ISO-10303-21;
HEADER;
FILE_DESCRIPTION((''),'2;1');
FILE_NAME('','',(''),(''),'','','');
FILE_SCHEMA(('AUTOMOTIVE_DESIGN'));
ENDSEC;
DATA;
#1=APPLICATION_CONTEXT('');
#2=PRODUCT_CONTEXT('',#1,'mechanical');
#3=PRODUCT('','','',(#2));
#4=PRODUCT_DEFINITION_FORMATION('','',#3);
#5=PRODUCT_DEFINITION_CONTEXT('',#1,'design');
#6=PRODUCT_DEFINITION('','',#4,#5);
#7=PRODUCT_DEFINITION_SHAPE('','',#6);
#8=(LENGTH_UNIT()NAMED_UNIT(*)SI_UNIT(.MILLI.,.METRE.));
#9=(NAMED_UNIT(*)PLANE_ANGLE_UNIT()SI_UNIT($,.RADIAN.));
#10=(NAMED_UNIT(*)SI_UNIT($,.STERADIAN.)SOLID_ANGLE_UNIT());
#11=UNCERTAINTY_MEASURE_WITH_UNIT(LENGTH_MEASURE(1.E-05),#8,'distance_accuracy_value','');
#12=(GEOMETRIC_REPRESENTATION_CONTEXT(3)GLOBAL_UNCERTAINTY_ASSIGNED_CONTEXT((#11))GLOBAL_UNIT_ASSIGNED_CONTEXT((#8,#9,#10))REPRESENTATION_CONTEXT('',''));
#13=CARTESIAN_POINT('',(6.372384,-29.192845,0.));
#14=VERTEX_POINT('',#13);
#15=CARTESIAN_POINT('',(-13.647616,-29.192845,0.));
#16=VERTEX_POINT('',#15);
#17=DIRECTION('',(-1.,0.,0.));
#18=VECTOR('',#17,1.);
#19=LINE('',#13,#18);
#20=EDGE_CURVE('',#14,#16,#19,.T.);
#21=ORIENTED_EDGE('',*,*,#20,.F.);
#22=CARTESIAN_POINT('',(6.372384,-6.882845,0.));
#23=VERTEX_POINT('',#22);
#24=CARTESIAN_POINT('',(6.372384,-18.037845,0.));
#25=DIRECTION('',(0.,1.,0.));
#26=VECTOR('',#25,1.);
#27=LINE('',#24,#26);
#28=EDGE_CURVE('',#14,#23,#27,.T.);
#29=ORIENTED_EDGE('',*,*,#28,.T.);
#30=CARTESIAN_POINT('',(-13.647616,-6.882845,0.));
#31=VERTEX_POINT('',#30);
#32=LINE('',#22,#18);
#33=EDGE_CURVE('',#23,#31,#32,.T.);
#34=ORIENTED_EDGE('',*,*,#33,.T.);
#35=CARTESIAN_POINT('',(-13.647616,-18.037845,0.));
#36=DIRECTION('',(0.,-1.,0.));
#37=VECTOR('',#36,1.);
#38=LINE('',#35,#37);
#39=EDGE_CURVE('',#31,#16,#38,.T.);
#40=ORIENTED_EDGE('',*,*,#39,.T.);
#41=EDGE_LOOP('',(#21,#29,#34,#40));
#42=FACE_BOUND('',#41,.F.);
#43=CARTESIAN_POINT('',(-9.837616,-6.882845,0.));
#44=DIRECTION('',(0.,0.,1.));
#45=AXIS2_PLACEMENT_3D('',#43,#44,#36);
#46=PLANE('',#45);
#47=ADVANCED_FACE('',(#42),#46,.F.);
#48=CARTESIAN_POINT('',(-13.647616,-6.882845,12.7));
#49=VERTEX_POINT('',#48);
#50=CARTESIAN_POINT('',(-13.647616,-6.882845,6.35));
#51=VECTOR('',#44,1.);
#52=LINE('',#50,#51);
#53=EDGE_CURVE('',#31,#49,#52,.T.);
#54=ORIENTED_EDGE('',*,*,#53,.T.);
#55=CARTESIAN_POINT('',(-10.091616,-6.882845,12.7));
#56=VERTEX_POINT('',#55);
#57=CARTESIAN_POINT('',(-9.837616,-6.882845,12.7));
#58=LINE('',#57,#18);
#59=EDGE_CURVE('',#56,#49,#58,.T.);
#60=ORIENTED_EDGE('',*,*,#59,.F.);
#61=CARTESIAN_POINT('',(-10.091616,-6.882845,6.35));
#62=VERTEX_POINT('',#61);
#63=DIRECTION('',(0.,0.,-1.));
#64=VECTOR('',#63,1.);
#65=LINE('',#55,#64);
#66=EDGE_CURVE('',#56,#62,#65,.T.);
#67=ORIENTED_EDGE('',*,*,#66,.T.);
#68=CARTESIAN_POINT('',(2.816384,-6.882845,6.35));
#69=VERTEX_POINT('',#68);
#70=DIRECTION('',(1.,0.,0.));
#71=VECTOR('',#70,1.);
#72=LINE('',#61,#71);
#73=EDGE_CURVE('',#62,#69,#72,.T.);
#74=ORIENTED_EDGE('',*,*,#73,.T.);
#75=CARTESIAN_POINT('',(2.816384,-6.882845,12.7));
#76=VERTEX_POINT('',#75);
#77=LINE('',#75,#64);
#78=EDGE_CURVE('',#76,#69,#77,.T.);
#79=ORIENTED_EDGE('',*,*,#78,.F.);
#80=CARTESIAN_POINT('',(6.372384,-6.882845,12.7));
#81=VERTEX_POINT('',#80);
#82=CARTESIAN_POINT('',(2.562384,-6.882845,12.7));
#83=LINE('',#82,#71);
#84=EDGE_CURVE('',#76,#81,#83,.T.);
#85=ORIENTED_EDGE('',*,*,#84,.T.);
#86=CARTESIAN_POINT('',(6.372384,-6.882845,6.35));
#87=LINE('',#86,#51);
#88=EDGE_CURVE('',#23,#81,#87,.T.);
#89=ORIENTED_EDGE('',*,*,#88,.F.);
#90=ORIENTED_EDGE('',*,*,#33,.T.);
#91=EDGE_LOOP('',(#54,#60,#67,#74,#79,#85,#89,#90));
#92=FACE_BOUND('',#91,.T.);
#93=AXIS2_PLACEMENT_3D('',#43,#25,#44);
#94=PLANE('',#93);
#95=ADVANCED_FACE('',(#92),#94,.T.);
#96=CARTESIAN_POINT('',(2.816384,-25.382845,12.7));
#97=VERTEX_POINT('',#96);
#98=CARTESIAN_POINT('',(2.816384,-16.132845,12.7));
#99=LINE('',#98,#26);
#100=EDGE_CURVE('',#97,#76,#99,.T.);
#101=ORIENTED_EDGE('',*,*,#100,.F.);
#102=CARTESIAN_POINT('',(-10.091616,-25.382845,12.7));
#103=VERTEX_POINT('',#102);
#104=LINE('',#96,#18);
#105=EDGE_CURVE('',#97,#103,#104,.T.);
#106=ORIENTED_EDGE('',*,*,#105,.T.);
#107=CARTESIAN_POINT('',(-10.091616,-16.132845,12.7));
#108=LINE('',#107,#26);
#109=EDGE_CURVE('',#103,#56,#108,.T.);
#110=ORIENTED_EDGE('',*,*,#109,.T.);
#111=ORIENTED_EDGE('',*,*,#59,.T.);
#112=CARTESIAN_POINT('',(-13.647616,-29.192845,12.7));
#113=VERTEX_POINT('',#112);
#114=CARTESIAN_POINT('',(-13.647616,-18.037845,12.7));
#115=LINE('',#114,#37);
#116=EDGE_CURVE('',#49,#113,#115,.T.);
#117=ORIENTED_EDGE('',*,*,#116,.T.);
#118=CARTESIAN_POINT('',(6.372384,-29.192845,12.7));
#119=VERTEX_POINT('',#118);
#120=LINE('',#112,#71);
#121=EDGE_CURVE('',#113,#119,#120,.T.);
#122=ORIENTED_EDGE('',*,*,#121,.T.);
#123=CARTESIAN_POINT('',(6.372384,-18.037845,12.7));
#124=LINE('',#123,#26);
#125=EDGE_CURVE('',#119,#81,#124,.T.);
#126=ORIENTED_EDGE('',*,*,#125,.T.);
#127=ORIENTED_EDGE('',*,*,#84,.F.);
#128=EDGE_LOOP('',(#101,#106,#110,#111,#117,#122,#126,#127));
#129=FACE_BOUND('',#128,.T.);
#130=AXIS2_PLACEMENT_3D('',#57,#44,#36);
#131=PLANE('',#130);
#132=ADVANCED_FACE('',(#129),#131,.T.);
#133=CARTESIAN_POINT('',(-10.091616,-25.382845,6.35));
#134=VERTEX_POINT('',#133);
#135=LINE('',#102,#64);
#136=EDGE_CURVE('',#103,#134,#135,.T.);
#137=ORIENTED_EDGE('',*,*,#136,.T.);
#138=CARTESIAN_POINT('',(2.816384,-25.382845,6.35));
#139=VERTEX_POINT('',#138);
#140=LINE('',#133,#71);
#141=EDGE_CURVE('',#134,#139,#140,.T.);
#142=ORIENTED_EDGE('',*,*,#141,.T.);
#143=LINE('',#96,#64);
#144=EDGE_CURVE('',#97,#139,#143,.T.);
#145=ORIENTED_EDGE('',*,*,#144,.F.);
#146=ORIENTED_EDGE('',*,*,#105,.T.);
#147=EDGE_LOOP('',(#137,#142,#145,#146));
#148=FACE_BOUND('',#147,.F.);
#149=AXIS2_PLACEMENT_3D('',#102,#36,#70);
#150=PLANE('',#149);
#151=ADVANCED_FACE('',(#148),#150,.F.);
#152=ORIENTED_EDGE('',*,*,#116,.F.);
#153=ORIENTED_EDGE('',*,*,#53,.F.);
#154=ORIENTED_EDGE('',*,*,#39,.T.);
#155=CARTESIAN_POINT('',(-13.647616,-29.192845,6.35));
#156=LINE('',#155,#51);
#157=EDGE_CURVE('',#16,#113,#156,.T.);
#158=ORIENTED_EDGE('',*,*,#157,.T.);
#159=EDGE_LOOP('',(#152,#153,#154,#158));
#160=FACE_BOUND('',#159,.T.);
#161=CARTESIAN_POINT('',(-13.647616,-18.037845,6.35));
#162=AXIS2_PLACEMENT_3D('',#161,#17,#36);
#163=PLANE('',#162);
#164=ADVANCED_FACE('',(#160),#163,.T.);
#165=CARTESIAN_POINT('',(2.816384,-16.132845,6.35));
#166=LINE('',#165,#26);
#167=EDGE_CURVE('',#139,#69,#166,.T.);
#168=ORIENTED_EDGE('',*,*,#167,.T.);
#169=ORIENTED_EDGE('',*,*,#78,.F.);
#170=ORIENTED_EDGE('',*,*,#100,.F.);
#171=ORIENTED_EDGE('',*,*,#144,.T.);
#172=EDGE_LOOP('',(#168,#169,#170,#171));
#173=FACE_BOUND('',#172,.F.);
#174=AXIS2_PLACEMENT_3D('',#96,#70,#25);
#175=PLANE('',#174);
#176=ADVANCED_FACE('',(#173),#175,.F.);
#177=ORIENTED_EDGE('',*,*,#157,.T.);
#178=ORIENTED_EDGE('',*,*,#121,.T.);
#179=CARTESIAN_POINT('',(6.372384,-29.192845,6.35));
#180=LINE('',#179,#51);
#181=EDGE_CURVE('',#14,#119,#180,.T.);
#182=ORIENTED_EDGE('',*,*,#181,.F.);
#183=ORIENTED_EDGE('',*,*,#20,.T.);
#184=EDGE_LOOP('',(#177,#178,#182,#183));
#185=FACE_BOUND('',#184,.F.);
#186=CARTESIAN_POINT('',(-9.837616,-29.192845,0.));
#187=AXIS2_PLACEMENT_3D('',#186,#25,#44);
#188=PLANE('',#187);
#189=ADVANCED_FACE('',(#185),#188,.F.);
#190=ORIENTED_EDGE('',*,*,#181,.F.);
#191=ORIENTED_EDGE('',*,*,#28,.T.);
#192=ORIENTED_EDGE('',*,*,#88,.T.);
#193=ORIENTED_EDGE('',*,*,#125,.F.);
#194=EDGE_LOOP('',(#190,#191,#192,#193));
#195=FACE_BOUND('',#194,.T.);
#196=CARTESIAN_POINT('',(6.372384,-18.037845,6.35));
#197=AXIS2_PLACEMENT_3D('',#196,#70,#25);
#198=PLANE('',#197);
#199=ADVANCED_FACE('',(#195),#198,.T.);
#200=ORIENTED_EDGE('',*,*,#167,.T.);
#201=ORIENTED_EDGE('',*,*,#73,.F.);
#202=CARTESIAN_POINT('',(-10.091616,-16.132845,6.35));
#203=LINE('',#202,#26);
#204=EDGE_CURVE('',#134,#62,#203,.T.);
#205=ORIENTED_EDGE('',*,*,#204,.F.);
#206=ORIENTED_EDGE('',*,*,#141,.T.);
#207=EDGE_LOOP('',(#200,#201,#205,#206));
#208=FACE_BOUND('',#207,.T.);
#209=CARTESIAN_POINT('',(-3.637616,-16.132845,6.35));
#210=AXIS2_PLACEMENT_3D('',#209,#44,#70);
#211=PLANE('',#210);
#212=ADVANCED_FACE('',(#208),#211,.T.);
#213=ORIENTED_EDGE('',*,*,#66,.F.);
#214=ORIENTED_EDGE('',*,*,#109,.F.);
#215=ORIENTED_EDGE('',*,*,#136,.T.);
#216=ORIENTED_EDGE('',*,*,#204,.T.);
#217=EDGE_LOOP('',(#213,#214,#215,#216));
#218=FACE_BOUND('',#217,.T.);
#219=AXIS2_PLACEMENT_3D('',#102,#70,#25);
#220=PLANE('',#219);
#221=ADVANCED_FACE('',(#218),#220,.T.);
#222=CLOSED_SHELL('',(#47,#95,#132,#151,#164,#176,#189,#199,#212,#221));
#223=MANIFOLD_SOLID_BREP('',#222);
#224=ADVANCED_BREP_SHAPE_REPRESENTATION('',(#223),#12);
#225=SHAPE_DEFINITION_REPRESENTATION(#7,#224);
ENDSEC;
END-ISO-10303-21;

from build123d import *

# Parameters (mm, degrees)
F0_W     = 12.4
F0_H     = 18.5
F1_DEPTH = 6.35
F2_W     = 12.4
F2_H     = 12.7
F3_DEPTH = 3.81
F4_W     = 22.31
F4_H     = 12.7
F5_DEPTH = 3.81
F6_W     = 22.31
F6_H     = 12.7
F7_DEPTH = 3.81
F8_W     = 12.908
F8_H     = 18.5
F9_DEPTH = 6.35


with BuildPart() as f1:
    # F0 (on Top) → F1 (new body)
    with BuildSketch(Plane.XY):
        with Locations((-3.637616, -16.132845)):
            Rectangle(F0_W, F0_H)
    extrude(amount=F1_DEPTH)

    # F2 (on face) → F3 (join)
    with BuildSketch(Plane.XZ.offset(25.382845)):
        with Locations((-3.637616, 6.35)):
            Rectangle(F2_W, F2_H)
    extrude(amount=F3_DEPTH)

    # F4 (on face) → F5 (join)
    with BuildSketch(Plane.YZ.offset(2.562384)):
        with Locations((-18.037845, 6.35)):
            Rectangle(F4_W, F4_H)
    extrude(amount=F5_DEPTH)

    # F6 (on face) → F7 (join)
    with BuildSketch(Plane(origin=(-9.837616, 0, 0), x_dir=(0, -1, 0), z_dir=(-1, 0, 0))):
        with Locations((18.037845, 6.35)):
            Rectangle(F6_W, F6_H)
    extrude(amount=F7_DEPTH)

    # F8 (on face) → F9 (cut, through all)
    with BuildSketch(Plane.XY.offset(12.7)):
        with Locations((-3.637616, -16.132845)):
            Rectangle(F8_W, F8_H)
    extrude(amount=-F9_DEPTH, mode=Mode.SUBTRACT)


solid = f1.part
